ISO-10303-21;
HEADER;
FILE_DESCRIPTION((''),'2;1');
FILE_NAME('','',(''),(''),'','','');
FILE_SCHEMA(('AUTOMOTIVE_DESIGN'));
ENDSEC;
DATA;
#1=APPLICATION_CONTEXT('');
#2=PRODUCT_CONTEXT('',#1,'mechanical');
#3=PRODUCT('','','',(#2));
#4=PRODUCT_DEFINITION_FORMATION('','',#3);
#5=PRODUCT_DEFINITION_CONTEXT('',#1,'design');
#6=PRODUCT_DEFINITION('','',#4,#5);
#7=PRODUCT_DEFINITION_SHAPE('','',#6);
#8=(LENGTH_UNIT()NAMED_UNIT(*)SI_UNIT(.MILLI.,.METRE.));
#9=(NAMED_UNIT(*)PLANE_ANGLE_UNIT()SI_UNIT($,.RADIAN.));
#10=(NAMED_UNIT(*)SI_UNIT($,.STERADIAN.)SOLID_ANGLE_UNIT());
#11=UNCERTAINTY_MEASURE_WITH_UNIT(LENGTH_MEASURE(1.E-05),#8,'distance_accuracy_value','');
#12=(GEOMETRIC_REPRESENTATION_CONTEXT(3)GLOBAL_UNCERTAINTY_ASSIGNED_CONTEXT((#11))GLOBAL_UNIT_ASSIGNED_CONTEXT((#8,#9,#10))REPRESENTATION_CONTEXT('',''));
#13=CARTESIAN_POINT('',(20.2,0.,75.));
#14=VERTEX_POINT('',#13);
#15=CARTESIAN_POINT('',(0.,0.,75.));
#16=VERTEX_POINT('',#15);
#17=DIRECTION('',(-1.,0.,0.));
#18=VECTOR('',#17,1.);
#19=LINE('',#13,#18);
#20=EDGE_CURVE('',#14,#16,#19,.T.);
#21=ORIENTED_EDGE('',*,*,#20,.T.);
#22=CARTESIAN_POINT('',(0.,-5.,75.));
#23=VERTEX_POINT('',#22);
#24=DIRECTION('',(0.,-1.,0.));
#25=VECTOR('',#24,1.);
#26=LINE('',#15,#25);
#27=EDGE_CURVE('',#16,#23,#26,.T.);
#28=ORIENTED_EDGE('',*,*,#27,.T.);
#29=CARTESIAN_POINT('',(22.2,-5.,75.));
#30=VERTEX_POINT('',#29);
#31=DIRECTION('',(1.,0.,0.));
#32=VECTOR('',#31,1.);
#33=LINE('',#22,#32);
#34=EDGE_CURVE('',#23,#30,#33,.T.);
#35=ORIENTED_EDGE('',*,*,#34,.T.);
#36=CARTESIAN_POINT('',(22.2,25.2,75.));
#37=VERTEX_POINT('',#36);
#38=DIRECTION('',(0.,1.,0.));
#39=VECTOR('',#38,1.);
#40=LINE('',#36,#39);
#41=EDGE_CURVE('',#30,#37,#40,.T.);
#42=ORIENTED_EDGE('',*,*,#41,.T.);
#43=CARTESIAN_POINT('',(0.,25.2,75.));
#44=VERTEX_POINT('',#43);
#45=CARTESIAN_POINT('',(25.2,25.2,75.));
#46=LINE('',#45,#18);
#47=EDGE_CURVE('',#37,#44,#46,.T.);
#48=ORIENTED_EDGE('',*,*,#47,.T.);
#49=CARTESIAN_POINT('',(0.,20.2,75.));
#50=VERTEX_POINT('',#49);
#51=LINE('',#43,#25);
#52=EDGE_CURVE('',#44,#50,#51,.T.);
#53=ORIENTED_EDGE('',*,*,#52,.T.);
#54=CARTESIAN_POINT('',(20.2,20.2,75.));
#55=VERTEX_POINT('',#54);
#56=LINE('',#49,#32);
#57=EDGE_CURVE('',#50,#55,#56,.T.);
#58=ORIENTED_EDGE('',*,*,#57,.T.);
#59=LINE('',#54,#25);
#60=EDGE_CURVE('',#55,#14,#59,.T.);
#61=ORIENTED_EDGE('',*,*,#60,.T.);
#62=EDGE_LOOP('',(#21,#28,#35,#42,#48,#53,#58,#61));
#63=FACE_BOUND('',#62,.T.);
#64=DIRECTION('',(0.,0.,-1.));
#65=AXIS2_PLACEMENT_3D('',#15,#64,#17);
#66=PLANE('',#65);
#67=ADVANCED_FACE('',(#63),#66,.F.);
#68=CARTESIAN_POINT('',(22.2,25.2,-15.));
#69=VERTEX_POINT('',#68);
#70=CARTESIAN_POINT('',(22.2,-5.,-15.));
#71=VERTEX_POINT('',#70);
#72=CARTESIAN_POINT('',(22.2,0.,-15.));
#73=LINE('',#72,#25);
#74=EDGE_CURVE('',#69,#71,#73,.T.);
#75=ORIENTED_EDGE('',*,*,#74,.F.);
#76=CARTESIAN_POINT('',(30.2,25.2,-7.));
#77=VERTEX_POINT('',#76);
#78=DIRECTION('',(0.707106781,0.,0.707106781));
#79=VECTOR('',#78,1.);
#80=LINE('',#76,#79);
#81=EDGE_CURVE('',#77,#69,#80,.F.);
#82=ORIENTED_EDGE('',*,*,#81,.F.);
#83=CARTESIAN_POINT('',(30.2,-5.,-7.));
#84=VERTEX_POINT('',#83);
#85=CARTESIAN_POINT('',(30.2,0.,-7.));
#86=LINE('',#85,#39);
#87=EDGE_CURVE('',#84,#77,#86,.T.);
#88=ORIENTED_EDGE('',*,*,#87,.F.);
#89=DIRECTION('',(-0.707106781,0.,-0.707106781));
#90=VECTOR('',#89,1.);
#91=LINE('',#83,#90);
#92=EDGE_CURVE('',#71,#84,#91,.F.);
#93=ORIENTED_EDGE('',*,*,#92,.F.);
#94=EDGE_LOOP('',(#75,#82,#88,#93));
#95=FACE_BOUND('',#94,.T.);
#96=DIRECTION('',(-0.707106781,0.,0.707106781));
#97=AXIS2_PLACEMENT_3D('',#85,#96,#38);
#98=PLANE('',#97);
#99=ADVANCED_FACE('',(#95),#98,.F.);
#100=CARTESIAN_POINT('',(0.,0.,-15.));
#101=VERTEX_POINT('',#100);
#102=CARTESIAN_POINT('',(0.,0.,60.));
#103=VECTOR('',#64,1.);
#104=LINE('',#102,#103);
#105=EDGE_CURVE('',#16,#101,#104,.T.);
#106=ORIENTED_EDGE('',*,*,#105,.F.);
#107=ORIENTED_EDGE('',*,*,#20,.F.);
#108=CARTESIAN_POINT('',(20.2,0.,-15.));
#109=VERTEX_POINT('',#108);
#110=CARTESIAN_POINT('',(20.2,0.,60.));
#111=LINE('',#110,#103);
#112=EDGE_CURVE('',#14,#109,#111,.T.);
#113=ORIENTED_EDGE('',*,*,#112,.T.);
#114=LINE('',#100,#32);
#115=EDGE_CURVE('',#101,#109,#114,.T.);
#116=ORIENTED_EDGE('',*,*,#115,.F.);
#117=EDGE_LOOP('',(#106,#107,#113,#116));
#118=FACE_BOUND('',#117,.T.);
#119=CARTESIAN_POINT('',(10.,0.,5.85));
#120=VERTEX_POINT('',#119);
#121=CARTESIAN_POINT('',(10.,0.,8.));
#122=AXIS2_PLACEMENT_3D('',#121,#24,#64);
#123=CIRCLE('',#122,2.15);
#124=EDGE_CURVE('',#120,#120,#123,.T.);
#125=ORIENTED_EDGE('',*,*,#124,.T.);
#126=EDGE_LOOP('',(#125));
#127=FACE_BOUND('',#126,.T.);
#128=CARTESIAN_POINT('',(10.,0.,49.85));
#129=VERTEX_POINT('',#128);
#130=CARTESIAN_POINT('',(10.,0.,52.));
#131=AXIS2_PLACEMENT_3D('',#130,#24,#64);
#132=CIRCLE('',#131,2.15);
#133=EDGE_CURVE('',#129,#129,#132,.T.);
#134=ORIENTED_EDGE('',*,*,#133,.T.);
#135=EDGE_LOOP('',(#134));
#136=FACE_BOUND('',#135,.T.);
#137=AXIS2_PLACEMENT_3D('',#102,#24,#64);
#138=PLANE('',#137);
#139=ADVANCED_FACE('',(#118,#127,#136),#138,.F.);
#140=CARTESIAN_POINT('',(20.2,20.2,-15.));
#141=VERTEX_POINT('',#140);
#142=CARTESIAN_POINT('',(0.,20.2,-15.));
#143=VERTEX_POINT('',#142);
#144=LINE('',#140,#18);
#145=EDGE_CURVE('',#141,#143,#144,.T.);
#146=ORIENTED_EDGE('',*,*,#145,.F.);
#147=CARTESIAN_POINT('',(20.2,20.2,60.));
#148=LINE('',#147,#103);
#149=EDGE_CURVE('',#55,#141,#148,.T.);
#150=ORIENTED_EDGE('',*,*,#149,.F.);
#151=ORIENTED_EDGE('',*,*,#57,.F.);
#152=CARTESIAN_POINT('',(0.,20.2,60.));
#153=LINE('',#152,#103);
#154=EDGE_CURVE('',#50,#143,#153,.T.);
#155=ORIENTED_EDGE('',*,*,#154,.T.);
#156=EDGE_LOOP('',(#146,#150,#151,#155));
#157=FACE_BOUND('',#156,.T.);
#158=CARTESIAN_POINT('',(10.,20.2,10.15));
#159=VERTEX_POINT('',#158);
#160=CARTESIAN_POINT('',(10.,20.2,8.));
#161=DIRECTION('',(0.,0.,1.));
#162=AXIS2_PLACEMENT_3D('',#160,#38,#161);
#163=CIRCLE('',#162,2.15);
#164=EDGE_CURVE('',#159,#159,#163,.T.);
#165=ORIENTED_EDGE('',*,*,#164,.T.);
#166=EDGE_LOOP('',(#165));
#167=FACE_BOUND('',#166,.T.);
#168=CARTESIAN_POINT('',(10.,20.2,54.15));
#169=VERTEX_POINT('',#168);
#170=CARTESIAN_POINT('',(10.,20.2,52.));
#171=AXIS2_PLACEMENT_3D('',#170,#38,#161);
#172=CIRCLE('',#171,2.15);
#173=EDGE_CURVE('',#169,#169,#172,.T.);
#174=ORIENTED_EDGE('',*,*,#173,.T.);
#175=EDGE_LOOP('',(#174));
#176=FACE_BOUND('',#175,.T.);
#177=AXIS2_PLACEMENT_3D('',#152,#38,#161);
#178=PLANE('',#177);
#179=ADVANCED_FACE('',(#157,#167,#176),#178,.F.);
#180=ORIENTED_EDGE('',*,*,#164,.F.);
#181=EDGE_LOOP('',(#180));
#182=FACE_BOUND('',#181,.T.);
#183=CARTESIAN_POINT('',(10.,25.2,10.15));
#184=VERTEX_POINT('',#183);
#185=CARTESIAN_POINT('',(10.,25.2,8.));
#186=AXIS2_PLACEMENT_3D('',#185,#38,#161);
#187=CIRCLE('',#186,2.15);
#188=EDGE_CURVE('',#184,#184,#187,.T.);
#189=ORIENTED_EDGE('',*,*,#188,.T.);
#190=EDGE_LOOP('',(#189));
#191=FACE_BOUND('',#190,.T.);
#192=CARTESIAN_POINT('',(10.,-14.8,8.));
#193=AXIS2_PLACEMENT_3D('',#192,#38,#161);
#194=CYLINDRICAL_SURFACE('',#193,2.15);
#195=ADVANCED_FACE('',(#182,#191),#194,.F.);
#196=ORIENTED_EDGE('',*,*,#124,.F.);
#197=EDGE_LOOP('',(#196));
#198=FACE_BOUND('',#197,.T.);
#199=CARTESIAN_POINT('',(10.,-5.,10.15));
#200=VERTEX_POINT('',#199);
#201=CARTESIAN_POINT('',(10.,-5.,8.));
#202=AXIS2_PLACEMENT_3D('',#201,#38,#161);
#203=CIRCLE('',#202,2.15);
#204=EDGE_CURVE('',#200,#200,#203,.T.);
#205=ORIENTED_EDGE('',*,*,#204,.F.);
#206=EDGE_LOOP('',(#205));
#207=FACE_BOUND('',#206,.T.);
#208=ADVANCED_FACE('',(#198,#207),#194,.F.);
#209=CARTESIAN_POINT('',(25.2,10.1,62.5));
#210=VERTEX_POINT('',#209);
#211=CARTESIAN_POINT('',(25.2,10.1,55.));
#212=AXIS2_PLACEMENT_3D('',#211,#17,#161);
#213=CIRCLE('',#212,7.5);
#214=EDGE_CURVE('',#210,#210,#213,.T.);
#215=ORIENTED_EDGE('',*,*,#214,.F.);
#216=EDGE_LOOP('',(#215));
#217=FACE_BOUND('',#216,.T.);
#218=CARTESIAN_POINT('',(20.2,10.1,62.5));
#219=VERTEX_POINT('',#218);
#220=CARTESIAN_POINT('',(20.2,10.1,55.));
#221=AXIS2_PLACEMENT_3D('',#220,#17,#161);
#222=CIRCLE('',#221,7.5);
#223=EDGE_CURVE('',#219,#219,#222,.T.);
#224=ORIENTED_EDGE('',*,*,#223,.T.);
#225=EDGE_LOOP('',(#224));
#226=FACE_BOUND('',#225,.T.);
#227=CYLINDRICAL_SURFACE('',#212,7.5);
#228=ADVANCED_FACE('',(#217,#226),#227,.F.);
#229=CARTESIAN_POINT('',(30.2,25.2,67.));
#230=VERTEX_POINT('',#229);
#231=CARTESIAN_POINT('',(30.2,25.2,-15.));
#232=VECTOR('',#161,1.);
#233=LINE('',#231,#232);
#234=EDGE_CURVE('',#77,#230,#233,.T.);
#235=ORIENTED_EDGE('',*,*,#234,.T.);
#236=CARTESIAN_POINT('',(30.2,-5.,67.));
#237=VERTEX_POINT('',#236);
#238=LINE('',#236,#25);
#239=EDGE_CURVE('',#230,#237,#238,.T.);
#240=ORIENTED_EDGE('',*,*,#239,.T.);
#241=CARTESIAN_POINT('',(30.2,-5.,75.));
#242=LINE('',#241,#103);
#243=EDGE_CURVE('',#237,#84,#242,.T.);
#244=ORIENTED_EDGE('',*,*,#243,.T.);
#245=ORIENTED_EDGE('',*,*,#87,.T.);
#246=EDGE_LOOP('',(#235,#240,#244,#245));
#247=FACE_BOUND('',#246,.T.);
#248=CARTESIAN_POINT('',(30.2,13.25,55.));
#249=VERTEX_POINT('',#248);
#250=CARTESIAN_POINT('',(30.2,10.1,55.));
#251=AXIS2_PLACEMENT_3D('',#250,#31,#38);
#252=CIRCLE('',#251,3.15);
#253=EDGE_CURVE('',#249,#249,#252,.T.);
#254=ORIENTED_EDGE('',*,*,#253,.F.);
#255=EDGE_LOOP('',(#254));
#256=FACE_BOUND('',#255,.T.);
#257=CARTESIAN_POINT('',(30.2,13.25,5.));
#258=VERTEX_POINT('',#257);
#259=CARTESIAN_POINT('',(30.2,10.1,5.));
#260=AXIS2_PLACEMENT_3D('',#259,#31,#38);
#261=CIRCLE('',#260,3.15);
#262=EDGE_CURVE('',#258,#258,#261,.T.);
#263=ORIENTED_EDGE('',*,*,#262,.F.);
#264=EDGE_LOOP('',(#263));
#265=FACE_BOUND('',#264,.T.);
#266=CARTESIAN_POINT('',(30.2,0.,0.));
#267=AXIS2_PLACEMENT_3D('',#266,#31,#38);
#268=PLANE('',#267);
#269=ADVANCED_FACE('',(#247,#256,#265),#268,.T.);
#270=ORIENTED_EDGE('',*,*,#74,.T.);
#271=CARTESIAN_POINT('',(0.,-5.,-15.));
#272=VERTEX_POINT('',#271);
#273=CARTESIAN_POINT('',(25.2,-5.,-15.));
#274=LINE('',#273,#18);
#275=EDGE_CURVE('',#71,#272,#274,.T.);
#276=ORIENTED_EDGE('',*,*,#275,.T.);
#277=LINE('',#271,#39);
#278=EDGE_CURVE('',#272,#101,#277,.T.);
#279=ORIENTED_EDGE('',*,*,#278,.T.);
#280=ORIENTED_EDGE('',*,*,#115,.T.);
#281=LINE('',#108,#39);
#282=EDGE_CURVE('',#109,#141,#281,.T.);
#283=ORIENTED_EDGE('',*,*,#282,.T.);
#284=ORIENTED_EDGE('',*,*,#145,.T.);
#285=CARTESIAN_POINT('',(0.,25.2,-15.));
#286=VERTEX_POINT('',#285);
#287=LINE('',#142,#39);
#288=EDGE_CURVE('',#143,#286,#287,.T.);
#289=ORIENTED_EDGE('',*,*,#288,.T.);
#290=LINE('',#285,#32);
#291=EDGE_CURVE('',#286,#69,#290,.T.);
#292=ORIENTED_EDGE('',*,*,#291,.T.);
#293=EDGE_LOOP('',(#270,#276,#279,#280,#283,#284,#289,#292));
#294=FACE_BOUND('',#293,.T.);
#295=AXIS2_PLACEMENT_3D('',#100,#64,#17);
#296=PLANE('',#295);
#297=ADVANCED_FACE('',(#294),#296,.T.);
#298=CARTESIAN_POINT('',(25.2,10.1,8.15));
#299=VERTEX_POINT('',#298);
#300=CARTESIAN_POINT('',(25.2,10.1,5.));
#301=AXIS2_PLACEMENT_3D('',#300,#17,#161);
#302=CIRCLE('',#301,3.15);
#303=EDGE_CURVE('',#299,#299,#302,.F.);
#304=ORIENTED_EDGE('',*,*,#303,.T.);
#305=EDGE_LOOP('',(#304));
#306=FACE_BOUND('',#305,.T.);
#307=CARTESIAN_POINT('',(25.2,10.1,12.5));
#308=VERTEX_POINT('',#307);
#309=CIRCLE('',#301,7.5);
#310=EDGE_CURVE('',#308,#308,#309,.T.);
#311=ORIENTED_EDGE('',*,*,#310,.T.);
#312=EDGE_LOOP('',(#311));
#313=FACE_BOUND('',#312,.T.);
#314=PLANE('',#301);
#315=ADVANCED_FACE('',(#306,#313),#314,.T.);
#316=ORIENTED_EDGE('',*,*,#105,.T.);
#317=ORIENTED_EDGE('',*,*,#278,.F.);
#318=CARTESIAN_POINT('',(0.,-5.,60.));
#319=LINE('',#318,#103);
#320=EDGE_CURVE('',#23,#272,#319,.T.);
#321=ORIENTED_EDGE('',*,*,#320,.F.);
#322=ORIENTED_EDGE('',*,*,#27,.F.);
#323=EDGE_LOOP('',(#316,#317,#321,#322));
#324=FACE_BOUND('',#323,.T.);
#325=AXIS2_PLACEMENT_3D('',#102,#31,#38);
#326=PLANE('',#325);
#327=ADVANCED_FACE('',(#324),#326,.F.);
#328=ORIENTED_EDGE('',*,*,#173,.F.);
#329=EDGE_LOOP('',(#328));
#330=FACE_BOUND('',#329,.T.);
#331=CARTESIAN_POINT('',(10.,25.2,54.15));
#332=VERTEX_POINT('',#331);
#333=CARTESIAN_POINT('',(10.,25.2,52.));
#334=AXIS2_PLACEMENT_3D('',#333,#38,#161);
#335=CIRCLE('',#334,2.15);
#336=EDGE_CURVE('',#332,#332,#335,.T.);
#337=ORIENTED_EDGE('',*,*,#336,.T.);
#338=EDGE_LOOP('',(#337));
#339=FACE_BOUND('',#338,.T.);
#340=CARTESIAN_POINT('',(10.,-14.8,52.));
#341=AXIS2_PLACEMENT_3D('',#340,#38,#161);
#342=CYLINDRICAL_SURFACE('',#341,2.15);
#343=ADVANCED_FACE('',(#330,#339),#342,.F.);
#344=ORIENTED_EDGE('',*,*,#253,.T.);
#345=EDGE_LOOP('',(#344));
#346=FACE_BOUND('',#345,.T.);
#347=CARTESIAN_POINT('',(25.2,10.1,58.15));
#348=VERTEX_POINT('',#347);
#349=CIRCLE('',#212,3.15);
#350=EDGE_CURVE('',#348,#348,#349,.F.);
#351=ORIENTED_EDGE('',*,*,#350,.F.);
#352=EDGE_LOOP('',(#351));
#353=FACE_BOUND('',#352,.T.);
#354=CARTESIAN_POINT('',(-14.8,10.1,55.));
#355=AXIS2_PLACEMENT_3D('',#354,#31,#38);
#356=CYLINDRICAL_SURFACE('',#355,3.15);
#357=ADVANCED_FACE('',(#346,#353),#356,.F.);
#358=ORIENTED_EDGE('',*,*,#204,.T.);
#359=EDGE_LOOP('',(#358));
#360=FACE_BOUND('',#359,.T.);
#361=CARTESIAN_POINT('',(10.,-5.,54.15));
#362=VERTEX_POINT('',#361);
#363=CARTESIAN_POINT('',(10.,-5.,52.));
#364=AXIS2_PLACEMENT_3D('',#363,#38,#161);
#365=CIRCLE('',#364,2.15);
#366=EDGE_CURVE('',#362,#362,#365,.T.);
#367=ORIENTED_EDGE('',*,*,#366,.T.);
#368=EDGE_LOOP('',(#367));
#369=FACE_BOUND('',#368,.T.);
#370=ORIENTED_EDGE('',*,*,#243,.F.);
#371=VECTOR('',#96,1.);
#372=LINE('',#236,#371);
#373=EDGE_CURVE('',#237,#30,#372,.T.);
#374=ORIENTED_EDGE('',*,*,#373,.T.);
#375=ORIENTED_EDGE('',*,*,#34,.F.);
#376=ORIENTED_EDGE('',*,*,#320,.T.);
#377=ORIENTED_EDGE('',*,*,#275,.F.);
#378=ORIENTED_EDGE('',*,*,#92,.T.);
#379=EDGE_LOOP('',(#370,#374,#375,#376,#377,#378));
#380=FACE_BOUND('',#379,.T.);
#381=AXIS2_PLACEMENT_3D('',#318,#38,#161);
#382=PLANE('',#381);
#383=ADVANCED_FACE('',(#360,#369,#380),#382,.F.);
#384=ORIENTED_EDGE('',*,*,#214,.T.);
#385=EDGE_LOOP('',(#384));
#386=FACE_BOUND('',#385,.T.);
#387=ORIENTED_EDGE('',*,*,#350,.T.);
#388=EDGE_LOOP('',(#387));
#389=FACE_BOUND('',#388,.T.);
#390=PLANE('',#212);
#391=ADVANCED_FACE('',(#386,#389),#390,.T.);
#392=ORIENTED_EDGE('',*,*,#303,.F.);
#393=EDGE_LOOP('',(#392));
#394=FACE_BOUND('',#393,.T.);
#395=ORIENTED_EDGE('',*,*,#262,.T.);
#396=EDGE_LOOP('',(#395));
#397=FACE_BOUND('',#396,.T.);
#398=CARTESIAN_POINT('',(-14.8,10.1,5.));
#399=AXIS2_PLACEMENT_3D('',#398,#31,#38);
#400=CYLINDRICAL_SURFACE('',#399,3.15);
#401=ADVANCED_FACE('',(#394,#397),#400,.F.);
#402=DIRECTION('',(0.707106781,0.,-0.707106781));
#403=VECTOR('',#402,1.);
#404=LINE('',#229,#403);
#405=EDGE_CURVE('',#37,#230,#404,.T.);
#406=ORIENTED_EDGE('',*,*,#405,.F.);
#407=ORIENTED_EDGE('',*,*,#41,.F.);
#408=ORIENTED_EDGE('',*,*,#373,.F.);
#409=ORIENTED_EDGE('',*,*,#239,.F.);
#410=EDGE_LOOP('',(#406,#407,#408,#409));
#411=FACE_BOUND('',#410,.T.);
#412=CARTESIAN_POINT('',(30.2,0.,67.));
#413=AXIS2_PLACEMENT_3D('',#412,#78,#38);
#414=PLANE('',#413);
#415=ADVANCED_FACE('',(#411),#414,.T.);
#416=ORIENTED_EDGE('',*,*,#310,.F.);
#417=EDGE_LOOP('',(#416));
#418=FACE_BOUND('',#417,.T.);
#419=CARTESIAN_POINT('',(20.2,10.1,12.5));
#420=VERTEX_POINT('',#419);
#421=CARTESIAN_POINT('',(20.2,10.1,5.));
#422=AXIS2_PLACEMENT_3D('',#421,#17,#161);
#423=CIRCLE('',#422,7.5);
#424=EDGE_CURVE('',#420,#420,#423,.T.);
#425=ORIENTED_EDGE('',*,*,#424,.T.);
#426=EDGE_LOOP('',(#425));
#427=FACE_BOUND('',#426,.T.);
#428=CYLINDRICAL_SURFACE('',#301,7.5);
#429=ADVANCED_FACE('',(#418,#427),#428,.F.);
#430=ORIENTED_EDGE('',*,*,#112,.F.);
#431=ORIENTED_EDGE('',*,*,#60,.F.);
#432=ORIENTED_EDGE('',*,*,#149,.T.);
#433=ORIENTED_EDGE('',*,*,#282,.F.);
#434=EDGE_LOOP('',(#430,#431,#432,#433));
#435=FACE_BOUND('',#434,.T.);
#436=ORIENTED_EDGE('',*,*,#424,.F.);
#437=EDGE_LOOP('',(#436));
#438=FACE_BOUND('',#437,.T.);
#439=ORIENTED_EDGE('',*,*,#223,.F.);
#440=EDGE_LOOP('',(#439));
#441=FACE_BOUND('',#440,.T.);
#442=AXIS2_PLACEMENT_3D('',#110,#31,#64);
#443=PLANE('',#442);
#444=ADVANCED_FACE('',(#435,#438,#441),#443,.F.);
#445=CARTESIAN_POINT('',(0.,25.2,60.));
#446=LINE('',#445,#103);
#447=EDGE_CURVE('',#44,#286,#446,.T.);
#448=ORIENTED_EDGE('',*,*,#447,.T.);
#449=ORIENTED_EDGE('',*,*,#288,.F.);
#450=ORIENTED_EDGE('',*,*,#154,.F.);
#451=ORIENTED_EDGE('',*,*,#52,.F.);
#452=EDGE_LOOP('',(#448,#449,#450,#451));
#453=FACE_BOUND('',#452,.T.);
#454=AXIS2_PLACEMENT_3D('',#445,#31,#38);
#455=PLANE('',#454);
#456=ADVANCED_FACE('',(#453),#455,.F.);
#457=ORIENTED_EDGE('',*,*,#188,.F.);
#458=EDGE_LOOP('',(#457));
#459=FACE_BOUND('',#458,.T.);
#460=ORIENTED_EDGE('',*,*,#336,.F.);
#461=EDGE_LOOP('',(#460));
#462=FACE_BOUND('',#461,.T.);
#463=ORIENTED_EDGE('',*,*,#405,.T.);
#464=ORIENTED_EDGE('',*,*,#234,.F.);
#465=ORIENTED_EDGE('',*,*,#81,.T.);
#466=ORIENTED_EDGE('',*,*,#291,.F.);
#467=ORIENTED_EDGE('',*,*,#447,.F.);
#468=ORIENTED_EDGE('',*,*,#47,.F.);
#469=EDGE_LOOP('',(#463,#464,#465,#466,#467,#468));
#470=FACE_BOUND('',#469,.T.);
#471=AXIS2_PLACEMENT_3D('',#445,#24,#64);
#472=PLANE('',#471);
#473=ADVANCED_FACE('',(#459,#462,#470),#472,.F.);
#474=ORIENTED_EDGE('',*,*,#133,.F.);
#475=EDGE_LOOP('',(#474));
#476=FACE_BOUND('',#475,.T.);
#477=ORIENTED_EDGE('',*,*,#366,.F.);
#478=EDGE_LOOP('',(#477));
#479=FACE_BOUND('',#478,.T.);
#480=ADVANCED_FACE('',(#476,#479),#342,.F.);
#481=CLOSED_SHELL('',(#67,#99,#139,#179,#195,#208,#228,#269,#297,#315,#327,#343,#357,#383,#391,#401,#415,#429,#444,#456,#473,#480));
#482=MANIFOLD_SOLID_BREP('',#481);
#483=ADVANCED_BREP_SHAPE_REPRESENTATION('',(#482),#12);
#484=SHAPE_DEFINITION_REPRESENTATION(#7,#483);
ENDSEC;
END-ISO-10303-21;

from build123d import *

# Parameters (mm, degrees)
EXTRUDE_1_DEPTH     = 60
SKETCH_4_R          = 2.15
CUT_EXTRUDE_1_DEPTH = 40
SKETCH_5_R          = 3.15
CUT_EXTRUDE_2_DEPTH = 40
EXTRUDE_6_DEPTH     = 15
EXTRUDE_7_DEPTH     = 15
EXTRUDE_START       = 5
SKETCH_12_W         = 90
SKETCH_12_H         = 30.2
SKETCH_12_R         = 3.15
EXTRUDE_8_DEPTH     = 5
CHAMFER_6_SIZE      = 8
SKETCH_13_R         = 7.5
CUT_EXTRUDE_5_DEPTH = 5


with BuildPart() as part:
    # 草图1 → 凸台-拉伸1 (new body)
    with BuildSketch(Plane.XY):
        Polygon((0, 0), (0, -5), (25.2, -5), (25.2, 25.2), (0, 25.2), (0, 20.2), (20.2, 20.2), (20.2, 0), align=None)
    extrude(amount=EXTRUDE_1_DEPTH)

    # 草图4 → 切除-拉伸1 (cut)
    with BuildSketch(Plane(origin=(0, 25.2, 0), x_dir=(1, 0, 0), z_dir=(0, 1, 0))):
        with Locations(Location((10, -8, 0), (0, 0, 270))):
            Circle(SKETCH_4_R)
        with Locations(Location((10, -52, 0), (0, 0, 270))):
            Circle(SKETCH_4_R)
    extrude(amount=-CUT_EXTRUDE_1_DEPTH, mode=Mode.SUBTRACT)

    # 草图5 → 切除-拉伸2 (cut)
    with BuildSketch(Plane(origin=(25.2, 0, 0), x_dir=(0, 0, -1), z_dir=(1, 0, 0))):
        with Locations(Location((-55, 10.1, 0), (0, 0, 90))):
            Circle(SKETCH_5_R)
        with Locations(Location((-5, 10.1, 0), (0, 0, 90))):
            Circle(SKETCH_5_R)
    extrude(amount=-CUT_EXTRUDE_2_DEPTH, mode=Mode.SUBTRACT)

    # 草图10 → 凸台-拉伸6 (add)
    with BuildSketch(Plane(origin=(0, 0, 0), x_dir=(-1, 0, 0), z_dir=(0, 0, -1))):
        Polygon((-20.2, 20.2), (0, 20.2), (0, 25.2), (-25.2, 25.2), (-25.2, -5), (0, -5), (0, 0), (-20.2, 0), align=None)
    extrude(amount=EXTRUDE_6_DEPTH)

    # 草图11 → 凸台-拉伸7 (add)
    with BuildSketch(Plane.XY.offset(60)):
        Polygon((20.2, 0), (0, 0), (0, -5), (25.2, -5), (25.2, 25.2), (0, 25.2), (0, 20.2), (20.2, 20.2), align=None)
    extrude(amount=EXTRUDE_7_DEPTH)

    # 草图12 → 凸台-拉伸8 (add)
    with BuildSketch(Plane(origin=(25.2, 0, 0), x_dir=(0, 0, -1), z_dir=(1, 0, 0)).offset(EXTRUDE_START)):
        with Locations((-30, 10.1)):
            Rectangle(SKETCH_12_W, SKETCH_12_H)
        with Locations(Location((-55, 10.1, 0), (0, 0, 90))):
            Circle(SKETCH_12_R, mode=Mode.SUBTRACT)
        with Locations(Location((-5, 10.1, 0), (0, 0, 90))):
            Circle(SKETCH_12_R, mode=Mode.SUBTRACT)
    extrude(amount=-EXTRUDE_8_DEPTH)

    # 倒角6
    chamfer_6_edges = [part.edges().sort_by_distance(p)[0] for p in [
        (30.2, 10.1, -15),
        (30.2, 10.1, 75),
    ]]
    chamfer(chamfer_6_edges, length=CHAMFER_6_SIZE)

    # 草图13 → 切除-拉伸5 (cut)
    with BuildSketch(Plane.ZY.offset(-20.2)):
        with Locations((5, 10.1)):
            Circle(SKETCH_13_R)
        with Locations((55, 10.1)):
            Circle(SKETCH_13_R)
    extrude(amount=-CUT_EXTRUDE_5_DEPTH, mode=Mode.SUBTRACT)


solid = part.part
